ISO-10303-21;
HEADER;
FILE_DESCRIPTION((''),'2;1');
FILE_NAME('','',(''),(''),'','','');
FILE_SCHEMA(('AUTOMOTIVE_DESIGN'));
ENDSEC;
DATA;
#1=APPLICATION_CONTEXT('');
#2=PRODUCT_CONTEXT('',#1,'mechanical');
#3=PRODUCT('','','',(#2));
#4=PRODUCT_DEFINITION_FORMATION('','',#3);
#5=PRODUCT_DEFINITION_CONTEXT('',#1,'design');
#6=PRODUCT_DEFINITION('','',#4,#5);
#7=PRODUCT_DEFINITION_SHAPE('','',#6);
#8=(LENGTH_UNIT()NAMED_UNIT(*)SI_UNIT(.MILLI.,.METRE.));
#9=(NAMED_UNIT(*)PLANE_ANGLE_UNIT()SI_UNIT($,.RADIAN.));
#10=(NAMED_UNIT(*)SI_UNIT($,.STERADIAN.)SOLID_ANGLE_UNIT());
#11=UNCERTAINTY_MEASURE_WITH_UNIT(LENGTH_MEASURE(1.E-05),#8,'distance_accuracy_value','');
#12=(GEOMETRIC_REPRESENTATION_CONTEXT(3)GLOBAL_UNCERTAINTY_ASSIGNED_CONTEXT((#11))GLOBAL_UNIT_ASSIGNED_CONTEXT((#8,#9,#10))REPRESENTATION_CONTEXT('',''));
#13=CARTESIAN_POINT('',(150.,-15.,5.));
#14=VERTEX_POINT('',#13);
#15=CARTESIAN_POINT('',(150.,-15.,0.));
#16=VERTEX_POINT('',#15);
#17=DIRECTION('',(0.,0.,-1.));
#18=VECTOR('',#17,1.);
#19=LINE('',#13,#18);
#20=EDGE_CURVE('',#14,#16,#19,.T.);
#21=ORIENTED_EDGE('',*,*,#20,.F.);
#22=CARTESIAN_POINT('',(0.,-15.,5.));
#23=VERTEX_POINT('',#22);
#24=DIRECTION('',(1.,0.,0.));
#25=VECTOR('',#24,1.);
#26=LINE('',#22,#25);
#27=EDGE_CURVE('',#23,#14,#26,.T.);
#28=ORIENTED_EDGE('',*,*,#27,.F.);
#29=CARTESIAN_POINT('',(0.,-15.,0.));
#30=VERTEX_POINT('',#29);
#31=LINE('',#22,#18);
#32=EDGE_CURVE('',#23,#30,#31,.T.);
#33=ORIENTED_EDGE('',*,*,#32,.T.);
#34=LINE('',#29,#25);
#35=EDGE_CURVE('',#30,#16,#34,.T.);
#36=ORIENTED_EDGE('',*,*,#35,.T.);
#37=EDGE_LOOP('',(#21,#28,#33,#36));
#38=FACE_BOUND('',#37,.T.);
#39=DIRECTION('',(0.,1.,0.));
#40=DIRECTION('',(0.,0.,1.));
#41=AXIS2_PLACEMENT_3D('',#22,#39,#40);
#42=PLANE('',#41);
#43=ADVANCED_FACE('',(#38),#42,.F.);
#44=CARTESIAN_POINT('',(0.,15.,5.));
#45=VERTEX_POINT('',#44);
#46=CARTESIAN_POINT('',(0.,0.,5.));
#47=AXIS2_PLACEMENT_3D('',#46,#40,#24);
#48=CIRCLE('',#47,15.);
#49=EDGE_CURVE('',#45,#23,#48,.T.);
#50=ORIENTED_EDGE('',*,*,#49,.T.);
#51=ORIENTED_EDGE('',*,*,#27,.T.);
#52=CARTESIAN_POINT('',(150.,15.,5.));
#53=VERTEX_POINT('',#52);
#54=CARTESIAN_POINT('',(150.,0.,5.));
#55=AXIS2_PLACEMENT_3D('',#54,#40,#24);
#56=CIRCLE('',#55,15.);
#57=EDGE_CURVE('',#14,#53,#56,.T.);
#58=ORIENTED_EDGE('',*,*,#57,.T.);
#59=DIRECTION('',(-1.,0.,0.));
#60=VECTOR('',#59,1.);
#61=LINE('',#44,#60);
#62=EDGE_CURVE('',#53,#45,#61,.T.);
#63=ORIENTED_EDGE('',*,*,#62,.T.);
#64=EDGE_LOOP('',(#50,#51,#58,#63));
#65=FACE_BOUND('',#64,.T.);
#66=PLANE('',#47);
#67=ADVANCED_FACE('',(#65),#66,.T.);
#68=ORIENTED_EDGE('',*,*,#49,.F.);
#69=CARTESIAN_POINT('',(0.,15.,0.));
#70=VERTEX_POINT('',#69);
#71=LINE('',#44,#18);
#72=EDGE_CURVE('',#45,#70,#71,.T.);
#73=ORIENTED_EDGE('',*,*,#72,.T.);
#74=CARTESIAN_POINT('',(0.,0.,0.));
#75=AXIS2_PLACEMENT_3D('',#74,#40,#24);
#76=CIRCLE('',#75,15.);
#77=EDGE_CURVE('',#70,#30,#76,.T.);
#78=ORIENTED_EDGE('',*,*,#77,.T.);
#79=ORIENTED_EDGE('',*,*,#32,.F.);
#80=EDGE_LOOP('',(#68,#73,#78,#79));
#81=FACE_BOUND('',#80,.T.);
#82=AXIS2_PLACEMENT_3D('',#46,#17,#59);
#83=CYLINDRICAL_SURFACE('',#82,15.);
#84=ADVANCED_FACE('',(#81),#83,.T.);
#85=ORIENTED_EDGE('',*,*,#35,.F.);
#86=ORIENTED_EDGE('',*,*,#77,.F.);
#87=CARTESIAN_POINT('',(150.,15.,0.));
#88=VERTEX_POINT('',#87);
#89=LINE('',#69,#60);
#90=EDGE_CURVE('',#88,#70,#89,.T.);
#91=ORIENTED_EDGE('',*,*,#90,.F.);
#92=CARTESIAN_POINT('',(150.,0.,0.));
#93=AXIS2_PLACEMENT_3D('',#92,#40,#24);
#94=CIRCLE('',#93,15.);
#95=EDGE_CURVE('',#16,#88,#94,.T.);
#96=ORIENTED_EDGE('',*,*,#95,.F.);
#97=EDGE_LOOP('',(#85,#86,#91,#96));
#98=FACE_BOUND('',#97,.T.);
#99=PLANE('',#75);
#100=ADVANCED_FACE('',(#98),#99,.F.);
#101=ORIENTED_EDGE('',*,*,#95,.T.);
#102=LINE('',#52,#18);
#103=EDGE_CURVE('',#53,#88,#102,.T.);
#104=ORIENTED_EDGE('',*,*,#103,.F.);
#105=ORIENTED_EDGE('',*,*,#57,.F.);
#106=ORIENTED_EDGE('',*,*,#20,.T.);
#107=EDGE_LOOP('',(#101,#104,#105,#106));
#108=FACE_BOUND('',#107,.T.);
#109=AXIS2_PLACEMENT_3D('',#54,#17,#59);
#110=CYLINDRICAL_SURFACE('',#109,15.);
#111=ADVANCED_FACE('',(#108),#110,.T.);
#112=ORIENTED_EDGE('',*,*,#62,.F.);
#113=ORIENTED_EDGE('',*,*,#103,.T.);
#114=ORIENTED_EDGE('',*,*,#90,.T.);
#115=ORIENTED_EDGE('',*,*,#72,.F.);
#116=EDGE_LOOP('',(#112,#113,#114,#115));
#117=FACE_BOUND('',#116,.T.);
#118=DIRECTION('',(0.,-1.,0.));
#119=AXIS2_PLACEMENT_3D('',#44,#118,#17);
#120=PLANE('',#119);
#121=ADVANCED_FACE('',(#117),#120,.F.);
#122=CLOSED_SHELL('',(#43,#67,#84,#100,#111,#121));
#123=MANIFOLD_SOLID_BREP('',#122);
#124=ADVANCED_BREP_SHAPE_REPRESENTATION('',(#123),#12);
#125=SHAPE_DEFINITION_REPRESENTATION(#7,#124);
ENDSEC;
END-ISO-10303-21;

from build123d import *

# Parameters (mm, degrees)
BOSS_EXTRUDE1_DEPTH = 5


with BuildPart() as part:
    # Sketch1 → Boss-Extrude1 (new body)
    with BuildSketch(Plane.XY):
        with BuildLine():
            Line((0, 15), (150, 15))
            ThreePointArc((150, 15), (165, 0), (150, -15))
            Line((150, -15), (0, -15))
            ThreePointArc((0, -15), (-15, 0), (0, 15))
        make_face()
    extrude(amount=BOSS_EXTRUDE1_DEPTH)


solid = part.part
